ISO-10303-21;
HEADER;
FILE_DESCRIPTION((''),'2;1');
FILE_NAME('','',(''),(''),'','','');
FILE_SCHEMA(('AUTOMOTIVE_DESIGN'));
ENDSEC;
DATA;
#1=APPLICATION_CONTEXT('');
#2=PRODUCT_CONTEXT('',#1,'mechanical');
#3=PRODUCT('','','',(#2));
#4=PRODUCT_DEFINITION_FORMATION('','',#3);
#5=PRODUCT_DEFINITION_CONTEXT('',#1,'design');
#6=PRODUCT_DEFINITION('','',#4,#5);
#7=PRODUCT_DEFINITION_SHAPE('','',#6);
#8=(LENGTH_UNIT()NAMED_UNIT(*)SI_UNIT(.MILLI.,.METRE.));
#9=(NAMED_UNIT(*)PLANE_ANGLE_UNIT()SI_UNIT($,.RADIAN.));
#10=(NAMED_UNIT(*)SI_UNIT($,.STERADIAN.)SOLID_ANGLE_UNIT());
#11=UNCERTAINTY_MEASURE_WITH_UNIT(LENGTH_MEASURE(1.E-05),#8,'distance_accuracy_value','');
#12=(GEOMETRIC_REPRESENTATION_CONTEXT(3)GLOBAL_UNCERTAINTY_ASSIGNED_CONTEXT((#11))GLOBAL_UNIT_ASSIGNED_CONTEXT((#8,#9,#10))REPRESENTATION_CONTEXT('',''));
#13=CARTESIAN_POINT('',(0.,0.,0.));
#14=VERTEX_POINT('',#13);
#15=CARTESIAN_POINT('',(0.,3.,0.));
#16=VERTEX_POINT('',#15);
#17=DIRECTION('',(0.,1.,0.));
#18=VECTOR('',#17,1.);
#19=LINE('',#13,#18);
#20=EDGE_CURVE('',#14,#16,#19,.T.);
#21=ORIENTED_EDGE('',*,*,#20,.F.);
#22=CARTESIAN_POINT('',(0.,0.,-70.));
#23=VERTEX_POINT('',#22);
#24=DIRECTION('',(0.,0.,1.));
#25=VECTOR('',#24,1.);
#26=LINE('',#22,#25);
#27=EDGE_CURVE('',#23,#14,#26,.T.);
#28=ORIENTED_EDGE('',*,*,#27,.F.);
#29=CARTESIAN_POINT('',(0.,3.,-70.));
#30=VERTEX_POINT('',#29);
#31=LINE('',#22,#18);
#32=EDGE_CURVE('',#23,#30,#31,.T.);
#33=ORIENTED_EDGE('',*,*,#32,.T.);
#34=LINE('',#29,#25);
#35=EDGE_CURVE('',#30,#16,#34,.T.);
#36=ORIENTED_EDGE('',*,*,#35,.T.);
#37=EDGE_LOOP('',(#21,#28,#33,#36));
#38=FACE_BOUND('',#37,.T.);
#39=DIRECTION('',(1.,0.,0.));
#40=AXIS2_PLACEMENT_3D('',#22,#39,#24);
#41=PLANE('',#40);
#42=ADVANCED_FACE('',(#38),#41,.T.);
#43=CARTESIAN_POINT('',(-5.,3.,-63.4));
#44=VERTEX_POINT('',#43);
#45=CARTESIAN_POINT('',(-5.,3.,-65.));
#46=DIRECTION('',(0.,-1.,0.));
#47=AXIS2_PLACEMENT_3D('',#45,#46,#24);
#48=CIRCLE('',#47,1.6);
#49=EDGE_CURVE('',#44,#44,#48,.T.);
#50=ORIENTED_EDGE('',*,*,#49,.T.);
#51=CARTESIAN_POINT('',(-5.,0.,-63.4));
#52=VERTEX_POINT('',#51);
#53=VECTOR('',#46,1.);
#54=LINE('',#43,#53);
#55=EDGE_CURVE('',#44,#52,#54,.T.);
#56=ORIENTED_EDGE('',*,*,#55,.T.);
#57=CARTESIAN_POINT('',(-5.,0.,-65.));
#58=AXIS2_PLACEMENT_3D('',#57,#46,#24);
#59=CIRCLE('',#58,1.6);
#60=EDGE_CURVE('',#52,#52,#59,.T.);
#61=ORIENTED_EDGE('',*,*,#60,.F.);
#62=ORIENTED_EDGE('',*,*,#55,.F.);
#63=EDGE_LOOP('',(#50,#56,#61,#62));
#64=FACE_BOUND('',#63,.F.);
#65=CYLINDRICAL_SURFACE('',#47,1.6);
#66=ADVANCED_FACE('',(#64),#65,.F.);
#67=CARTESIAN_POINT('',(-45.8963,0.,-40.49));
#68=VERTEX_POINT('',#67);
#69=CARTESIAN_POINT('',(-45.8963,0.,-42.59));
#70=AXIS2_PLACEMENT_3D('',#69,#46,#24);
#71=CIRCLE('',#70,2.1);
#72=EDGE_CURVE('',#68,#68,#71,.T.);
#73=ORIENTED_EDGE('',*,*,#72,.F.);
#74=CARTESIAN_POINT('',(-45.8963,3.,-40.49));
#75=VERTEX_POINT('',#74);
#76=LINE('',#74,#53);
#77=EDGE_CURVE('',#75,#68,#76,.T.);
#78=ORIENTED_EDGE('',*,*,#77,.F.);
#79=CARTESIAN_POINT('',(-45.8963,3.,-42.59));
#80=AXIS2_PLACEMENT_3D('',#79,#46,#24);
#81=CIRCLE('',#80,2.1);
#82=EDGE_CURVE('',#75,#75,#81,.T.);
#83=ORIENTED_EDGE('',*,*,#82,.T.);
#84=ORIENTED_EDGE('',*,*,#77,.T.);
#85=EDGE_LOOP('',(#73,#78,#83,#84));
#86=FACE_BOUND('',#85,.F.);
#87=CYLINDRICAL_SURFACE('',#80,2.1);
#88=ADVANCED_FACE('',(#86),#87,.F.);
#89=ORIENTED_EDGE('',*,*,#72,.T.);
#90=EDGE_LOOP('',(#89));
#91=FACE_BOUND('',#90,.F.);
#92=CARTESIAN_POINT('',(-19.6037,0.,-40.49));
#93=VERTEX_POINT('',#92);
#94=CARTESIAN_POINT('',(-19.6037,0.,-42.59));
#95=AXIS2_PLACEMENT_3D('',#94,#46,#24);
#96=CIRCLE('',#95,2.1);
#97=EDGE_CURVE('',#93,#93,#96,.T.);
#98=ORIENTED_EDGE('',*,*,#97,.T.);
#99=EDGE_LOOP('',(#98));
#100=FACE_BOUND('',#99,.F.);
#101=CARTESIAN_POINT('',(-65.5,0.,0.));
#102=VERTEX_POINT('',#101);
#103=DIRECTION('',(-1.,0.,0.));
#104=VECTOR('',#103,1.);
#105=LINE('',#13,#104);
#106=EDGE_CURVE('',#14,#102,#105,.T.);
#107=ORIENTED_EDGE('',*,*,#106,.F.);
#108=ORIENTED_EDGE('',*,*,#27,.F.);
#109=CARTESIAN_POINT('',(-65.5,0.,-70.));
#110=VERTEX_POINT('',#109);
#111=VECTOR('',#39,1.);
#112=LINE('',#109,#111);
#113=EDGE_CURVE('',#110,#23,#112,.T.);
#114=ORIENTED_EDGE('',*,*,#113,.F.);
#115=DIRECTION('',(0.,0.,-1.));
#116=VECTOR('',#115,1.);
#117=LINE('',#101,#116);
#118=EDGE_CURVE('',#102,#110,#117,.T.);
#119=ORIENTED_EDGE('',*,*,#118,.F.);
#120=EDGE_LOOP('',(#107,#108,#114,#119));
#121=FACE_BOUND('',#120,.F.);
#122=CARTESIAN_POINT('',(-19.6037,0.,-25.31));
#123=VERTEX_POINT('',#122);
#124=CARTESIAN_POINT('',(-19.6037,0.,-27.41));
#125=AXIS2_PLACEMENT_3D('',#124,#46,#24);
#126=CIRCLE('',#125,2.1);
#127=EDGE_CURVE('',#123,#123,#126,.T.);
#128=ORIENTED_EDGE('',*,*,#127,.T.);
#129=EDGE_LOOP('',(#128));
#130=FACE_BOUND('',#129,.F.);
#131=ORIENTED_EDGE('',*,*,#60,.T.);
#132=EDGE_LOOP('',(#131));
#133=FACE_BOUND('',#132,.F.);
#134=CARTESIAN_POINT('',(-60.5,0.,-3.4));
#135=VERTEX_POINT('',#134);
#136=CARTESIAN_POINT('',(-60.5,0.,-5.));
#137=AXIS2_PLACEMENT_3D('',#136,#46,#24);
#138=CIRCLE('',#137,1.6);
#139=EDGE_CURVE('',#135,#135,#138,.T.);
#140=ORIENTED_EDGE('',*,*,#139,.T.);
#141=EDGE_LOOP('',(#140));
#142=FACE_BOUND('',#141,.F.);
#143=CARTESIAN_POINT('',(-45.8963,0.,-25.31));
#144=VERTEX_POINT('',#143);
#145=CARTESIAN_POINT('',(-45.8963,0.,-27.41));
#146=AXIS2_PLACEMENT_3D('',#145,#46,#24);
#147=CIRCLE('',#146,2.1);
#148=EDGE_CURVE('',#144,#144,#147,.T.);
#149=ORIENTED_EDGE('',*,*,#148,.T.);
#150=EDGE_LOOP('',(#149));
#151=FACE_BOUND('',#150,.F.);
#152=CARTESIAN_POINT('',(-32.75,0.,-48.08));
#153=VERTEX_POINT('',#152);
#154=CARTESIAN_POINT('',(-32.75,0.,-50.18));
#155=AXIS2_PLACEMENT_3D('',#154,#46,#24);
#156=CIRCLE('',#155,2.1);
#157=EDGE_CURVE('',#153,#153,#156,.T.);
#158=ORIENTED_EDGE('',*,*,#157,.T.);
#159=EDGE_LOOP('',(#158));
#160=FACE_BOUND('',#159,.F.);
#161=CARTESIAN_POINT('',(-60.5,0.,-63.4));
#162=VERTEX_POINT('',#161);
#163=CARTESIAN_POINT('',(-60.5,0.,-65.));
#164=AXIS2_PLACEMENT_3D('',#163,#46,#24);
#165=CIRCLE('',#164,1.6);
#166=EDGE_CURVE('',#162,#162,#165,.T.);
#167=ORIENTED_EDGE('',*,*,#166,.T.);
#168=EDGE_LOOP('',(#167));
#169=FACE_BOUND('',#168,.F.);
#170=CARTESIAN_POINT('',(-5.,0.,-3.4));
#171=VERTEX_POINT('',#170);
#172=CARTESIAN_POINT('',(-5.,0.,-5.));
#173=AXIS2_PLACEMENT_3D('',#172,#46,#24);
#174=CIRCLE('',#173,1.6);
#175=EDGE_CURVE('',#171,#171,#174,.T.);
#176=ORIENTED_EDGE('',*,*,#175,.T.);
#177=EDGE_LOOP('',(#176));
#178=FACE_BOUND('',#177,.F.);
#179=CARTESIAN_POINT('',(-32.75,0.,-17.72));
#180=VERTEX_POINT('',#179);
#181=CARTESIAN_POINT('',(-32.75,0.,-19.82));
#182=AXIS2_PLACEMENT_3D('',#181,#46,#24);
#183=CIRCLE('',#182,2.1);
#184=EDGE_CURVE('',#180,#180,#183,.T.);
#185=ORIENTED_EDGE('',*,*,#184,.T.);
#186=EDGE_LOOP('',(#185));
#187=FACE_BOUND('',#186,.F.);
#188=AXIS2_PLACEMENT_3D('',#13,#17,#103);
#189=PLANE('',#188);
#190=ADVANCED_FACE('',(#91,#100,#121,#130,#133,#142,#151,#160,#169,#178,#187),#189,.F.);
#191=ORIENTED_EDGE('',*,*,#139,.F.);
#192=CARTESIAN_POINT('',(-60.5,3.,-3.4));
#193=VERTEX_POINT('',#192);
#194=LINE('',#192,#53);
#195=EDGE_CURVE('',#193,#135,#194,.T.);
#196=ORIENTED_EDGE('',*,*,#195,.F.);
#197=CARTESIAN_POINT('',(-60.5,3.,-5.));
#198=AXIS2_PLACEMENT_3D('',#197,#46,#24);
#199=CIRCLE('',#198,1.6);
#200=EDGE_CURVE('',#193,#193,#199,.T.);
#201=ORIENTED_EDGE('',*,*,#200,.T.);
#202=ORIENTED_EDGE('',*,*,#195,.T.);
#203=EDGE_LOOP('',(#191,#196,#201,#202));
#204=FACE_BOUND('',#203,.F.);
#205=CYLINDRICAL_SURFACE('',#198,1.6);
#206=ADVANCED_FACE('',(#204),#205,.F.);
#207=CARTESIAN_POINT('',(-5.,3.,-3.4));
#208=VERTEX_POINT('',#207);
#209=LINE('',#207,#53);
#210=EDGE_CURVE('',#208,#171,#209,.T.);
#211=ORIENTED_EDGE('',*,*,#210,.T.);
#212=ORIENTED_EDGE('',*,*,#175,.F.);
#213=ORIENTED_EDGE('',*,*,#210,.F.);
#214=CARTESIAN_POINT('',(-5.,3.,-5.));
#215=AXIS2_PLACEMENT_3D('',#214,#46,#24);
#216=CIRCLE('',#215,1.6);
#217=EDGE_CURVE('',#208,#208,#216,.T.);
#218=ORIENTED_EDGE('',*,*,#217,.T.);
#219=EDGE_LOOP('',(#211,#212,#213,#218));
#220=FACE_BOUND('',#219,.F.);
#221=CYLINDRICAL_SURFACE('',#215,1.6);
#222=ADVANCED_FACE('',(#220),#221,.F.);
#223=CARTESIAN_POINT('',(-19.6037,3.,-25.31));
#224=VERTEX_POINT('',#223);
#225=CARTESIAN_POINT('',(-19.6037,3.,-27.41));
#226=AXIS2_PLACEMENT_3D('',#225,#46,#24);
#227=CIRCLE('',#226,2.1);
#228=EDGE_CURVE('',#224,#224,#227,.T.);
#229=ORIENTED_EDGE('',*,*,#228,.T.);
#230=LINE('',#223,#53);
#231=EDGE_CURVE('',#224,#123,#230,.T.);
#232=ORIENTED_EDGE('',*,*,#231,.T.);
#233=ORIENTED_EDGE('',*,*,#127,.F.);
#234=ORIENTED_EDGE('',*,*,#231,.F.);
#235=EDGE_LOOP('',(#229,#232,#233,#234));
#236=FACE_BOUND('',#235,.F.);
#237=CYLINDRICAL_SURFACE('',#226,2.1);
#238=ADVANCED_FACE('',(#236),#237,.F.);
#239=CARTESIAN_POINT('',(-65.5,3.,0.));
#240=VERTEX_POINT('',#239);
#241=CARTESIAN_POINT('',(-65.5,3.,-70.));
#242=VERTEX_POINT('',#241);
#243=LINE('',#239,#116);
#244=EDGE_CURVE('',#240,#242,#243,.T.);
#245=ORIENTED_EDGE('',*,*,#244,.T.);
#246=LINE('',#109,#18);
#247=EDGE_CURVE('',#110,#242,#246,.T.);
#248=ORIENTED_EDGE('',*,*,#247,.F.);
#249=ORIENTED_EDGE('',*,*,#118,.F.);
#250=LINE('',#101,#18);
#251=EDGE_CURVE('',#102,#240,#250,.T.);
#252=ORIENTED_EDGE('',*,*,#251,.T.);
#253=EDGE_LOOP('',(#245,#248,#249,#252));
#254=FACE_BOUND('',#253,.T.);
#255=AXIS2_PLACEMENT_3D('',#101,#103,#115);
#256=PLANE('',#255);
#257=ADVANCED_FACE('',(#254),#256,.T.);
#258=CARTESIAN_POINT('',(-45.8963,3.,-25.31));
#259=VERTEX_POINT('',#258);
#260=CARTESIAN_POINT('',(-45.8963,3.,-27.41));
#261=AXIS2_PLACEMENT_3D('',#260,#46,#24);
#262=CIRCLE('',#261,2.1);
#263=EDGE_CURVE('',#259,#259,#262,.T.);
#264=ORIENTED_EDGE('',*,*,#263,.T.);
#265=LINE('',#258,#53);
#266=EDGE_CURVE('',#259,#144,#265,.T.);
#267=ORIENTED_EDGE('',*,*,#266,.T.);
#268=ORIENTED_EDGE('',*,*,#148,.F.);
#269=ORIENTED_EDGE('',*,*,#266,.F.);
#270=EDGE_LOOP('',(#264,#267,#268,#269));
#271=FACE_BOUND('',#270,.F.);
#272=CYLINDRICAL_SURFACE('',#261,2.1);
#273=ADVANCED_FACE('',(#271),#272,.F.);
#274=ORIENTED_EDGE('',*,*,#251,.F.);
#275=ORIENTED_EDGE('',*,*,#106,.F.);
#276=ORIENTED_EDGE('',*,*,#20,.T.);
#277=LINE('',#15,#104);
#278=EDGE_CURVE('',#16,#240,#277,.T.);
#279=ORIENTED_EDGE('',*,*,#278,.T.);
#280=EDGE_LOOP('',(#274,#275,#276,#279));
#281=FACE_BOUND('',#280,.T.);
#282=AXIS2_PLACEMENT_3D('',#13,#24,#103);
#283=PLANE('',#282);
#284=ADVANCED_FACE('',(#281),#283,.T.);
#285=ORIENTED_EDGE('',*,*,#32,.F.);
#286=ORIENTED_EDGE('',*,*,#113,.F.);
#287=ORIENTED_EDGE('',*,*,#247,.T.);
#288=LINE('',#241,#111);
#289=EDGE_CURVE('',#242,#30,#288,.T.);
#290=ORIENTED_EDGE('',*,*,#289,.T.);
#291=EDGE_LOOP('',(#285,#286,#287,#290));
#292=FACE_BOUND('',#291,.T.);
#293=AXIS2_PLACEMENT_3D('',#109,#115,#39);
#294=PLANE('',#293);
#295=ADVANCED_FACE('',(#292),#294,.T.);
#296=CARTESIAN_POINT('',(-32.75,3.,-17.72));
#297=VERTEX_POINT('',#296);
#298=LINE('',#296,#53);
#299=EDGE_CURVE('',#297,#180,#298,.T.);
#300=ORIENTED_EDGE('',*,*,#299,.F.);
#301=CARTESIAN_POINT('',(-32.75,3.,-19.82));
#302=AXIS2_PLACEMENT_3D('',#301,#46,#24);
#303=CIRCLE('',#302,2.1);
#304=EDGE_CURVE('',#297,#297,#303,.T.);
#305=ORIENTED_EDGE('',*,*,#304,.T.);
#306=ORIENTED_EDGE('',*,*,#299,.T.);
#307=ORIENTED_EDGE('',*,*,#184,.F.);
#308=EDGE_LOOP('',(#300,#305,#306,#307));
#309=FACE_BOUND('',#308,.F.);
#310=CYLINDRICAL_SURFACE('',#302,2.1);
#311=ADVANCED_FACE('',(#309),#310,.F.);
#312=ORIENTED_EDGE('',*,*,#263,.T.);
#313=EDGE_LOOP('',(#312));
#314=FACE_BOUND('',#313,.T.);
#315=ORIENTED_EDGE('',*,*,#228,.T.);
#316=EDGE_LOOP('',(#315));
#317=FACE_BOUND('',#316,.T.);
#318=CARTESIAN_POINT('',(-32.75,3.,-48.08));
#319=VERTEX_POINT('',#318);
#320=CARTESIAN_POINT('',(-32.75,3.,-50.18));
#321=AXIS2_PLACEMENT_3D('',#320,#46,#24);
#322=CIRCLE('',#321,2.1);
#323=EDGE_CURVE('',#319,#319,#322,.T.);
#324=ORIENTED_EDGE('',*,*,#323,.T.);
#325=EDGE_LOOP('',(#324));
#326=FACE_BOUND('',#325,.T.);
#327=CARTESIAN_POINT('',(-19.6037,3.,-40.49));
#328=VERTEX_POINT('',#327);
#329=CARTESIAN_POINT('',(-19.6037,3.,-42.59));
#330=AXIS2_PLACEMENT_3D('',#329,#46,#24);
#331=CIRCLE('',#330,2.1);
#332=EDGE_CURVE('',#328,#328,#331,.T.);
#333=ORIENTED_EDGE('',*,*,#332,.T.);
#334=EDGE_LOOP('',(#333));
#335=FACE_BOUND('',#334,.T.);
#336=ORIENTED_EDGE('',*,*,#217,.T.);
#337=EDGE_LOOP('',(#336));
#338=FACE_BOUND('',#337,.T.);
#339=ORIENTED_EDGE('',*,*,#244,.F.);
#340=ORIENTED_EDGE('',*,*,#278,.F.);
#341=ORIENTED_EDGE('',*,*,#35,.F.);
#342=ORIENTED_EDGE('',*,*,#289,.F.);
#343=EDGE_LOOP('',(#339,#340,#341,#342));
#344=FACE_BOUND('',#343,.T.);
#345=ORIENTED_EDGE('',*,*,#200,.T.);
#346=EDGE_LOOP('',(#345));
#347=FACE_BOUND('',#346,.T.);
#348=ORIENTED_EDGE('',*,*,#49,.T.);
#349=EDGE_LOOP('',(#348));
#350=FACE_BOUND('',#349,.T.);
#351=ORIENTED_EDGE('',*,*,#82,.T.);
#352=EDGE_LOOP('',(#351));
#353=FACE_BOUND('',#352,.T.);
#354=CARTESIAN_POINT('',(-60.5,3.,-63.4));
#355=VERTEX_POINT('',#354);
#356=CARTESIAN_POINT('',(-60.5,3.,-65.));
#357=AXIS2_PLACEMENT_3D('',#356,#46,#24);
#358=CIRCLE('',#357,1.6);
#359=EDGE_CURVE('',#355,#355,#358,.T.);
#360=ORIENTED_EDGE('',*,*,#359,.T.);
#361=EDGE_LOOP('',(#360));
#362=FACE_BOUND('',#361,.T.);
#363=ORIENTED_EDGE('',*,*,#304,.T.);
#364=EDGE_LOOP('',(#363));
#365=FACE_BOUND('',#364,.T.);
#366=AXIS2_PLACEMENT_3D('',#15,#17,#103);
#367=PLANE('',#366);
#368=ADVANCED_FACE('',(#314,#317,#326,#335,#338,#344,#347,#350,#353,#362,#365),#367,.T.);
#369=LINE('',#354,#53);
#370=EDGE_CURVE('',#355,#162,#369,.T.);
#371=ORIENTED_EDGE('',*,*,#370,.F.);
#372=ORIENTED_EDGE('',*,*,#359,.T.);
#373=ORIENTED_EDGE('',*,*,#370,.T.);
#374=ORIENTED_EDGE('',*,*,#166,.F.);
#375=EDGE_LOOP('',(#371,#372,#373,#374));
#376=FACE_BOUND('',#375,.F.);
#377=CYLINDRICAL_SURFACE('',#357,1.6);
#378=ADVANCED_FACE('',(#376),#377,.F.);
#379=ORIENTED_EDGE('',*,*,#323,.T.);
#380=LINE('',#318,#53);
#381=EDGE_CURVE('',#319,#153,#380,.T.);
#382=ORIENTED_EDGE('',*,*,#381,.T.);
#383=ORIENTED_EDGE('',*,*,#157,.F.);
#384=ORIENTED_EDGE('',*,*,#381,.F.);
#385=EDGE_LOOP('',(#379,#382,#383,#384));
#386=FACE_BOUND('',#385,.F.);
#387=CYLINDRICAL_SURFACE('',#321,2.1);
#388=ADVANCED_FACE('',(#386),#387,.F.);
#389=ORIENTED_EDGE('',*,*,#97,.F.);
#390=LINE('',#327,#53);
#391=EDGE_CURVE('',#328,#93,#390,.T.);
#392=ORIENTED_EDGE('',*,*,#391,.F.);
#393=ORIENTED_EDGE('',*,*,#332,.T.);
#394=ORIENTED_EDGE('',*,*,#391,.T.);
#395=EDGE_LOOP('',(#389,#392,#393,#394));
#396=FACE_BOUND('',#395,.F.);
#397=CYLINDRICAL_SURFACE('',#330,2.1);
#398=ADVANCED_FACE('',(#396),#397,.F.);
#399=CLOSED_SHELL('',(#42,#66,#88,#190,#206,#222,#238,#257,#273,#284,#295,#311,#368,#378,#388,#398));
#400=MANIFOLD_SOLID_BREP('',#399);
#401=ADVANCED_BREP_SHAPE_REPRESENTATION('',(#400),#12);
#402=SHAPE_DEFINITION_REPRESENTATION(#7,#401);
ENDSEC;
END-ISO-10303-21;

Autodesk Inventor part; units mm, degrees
ref_plane "YZ Plane" through (0, 0, 0) normal (1, 0, 0) x (0, 1, 0)
ref_plane "XZ Plane" through (0, 0, 0) normal (0, 1, 0) x (-1, 0, 0)
ref_plane "XY Plane" through (0, 0, 0) normal (0, 0, 1) x (1, 0, 0)
sketch "スケッチ1" plane through (0, 0, 0) normal (0, 1, 0) x (-1, 0, 0)
  line L0 (0, 0) -> (65.5, 0)
  line L1 (65.5, 0) -> (65.5, -70)
  line L2 (65.5, -70) -> (0, -70)
  line L3 (0, -70) -> (0, 0)
  dimension "d0" = 65.5
  dimension "d1" = 70
extrude "押し出し1" add sketch "スケッチ1" along normal blind 3
sketch "スケッチ2" plane through (0, 3, 0) normal (0, 1, 0) x (1, 0, 0)
  line L0 (-60.5, 5) -> (-5, 5)
  line L1 (-5, 5) -> (-5, 65)
  line L2 (-5, 65) -> (-60.5, 65)
  line L3 (-60.5, 65) -> (-60.5, 5)
  line L4 (-65.5, 0) -> (0, 0) projected
  line L5 (-65.5, 70) -> (-65.5, 0) projected
  dimension "d4" = 55.5
  dimension "d5" = 60
  dimension "d6" = 5
  dimension "d7" = 5
hole "穴1" at (-60.5, 3, -5) at (-5, 3, -5) at (-60.5, 3, -65) at (-5, 3, -65) direction (0, -1, 0) diameter 3.2 end through all
sketch "スケッチ3" plane through (0, 3, 0) normal (0, 1, 0) x (1, 0, 0)
  line L0 (-65.5, 0) -> (0, 0) projected
  line L1 (-32.75, 0) -> (-32.75, 70)
  line L2 (0, 70) -> (-65.5, 70) projected
  circle A0 centre (-32.75, 35) radius 15.18
  line L3 (0, 70) -> (-65.5, 70) projected
  line L4 (-65.5, 70) -> (-65.5, 0) projected
  point P0 (-32.75, 50.18)
  point P1 (-45.8963, 42.59)
  point P2 (-45.8963, 27.41)
  point P3 (-32.75, 19.82)
  point P4 (-19.6037, 27.41)
  point P5 (-19.6037, 42.59)
  dimension "d15" = 30.36
  dimension "d18" = 360
  dimension "d27" = 32.75
hole "穴2" at (-32.75, 3, -50.18) at (-45.8963, 3, -42.59) at (-45.8963, 3, -27.41) at (-32.75, 3, -19.82) at (-19.6037, 3, -27.41) at (-19.6037, 3, -42.59) direction (0, -1, 0) diameter 4.2 end through all
properties part number "link2_plate4" material "アルミニウム 6061"
